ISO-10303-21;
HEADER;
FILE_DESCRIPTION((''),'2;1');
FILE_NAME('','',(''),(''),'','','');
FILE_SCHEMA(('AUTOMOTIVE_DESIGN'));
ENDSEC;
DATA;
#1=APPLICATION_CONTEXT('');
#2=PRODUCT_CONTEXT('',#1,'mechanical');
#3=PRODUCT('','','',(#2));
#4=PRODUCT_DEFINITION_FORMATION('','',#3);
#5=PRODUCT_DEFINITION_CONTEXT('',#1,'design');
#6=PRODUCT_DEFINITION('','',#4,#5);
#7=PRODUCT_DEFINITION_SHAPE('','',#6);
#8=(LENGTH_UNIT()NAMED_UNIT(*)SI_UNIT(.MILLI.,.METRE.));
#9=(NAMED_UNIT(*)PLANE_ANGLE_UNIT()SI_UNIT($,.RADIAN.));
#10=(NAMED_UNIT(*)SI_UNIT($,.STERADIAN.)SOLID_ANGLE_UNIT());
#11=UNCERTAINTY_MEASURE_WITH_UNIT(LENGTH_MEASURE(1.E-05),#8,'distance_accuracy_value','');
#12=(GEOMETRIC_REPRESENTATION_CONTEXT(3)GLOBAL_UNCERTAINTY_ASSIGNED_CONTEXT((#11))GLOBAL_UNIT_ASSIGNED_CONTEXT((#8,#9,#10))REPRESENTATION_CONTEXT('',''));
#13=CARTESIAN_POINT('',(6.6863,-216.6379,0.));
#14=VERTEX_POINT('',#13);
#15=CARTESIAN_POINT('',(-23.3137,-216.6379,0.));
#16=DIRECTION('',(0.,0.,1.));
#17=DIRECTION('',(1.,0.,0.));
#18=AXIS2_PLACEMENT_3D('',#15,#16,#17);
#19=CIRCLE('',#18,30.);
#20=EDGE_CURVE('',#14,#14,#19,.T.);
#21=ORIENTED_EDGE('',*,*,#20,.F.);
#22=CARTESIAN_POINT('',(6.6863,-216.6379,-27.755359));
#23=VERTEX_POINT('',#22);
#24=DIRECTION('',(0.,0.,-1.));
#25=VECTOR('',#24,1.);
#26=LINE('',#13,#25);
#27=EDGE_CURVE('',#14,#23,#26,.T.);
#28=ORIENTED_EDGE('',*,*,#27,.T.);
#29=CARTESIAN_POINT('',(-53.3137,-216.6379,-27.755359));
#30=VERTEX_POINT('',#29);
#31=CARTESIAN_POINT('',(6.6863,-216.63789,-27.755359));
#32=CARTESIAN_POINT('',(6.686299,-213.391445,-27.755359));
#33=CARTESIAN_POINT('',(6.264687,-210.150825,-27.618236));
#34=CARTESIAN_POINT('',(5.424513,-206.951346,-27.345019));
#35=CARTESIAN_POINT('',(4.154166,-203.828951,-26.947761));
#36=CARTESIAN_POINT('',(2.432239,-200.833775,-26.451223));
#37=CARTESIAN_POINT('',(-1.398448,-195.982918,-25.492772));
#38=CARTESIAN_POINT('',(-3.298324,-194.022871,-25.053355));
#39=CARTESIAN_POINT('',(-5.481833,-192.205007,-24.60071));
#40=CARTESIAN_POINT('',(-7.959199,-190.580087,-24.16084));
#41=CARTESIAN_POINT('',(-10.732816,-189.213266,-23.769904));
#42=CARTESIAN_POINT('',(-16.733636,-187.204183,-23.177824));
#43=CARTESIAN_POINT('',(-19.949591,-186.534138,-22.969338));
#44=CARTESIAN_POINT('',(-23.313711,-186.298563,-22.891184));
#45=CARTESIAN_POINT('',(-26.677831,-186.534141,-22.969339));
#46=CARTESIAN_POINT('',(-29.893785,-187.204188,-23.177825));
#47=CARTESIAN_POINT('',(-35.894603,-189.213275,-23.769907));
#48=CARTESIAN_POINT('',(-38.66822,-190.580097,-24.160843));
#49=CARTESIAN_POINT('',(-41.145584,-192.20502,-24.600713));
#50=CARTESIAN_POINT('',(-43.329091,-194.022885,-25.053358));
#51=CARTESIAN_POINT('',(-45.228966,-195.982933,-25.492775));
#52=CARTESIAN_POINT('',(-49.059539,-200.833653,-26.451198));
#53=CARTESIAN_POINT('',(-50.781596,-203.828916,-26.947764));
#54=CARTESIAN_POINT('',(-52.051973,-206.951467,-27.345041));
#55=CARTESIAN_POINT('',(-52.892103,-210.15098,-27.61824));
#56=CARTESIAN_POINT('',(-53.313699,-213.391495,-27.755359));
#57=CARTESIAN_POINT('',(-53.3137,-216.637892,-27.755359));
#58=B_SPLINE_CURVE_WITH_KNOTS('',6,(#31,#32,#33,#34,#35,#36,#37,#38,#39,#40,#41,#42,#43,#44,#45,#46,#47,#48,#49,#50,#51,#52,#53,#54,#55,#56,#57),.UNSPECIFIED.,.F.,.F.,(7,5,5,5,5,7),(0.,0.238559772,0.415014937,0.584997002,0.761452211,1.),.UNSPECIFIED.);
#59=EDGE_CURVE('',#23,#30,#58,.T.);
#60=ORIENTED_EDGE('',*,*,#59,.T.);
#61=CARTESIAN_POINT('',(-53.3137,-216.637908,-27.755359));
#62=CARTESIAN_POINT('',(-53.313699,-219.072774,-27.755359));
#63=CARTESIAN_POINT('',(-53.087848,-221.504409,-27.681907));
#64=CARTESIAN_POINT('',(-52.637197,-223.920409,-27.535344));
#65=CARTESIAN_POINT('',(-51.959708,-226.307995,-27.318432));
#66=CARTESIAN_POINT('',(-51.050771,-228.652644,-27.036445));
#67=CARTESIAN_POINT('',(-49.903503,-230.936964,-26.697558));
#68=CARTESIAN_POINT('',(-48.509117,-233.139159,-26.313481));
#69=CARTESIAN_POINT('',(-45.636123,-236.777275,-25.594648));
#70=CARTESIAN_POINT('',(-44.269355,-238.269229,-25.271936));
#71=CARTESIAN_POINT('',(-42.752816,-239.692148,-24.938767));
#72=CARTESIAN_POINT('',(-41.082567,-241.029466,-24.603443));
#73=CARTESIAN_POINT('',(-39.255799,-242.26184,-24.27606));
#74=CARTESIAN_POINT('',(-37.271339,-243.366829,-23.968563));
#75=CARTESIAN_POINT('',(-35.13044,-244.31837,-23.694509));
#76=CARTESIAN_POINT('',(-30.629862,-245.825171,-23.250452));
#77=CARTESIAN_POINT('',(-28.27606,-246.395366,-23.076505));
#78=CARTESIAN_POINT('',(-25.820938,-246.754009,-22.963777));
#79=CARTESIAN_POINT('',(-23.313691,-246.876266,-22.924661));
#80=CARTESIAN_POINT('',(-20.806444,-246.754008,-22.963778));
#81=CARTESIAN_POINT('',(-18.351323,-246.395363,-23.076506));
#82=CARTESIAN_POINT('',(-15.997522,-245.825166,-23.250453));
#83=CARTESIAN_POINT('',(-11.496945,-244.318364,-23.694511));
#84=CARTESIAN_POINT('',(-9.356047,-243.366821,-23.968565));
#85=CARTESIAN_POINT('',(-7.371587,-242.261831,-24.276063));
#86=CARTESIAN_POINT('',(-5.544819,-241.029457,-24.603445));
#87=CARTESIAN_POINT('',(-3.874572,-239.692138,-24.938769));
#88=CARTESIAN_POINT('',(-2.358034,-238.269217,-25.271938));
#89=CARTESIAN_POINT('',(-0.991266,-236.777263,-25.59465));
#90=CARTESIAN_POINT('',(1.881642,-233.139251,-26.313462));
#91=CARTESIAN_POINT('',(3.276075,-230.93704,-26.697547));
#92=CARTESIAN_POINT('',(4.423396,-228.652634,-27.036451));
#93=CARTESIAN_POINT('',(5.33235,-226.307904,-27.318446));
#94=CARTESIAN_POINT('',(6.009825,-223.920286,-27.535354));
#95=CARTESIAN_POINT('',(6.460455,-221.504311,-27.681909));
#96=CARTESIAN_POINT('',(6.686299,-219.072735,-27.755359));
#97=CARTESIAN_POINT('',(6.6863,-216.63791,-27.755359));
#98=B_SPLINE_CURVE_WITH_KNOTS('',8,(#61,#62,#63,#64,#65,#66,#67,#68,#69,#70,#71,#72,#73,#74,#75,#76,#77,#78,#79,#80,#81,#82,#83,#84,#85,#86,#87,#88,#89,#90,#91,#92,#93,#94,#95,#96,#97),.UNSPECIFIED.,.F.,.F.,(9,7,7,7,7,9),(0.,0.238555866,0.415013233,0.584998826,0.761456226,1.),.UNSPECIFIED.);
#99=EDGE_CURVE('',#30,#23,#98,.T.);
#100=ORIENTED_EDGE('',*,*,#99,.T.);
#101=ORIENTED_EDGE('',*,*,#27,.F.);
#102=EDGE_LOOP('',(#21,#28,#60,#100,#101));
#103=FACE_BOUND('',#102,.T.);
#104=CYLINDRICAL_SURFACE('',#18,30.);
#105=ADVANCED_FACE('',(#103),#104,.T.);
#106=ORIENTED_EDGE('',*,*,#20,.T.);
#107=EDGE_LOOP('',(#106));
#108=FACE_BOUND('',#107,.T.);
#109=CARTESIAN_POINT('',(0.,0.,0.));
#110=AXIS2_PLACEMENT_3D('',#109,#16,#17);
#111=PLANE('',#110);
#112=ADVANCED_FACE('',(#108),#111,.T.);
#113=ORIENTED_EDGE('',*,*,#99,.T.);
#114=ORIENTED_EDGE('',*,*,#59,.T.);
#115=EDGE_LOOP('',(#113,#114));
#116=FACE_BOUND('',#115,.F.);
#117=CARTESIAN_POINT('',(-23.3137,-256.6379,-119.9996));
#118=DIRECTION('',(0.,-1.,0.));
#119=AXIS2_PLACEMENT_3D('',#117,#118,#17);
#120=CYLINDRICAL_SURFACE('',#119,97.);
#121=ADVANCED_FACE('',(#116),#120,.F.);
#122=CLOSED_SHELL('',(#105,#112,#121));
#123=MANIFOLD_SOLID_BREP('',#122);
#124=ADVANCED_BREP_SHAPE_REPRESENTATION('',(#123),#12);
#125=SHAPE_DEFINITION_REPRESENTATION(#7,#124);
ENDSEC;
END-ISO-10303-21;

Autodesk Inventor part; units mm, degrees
ref_plane "YZ Plane" through (0, 0, 0) normal (1, 0, 0) x (0, 1, 0)
ref_plane "XZ Plane" through (0, 0, 0) normal (0, 1, 0) x (-1, 0, 0)
ref_plane "XY Plane" through (0, 0, 0) normal (0, 0, 1) x (1, 0, 0)
ref_plane "Work Plane1" through (0, 0, 0) normal (0, 0, 1) x (1, 0, 0)
sketch "Sketch1" plane through (0, 0, 0) normal (0, 0, 1) x (1, 0, 0)
  circle A0 centre (-23.3137, -216.6379) radius 30
  line L0 (-120.3137, -36.6379) -> (73.6863, -36.6379) projected
  line L1 (65.6863, -36.6379) -> (-112.3137, -36.6379) projected
  line L2 (-34.5156, -26.6379) -> (-173.1117, -26.6379) projected
  point P0 (0, 0)
  point P1 (-23.3137, -36.6379)
  dimension "d0" = 60
  dimension "d1" = 190
extrude "Extrusion1" add sketch "Sketch1" against normal blind 84.25
ref_plane "Work Plane2" through (-23.3137, -256.6379, -119.9996) normal (0, -1, 0) x (1, 0, 0)
sketch "Sketch2" plane through (-23.3137, -256.6379, -119.9996) normal (0, -1, 0) x (1, 0, 0)
  circle A0 centre (0, 0) radius 97 projected
  line L0 (-30, 35.7496) -> (30, 35.7496) projected
  line L1 (30, 119.9996) -> (-30, 119.9996) projected
  line L2 (-30, 119.9996) -> (-30, 35.7496) projected
  line L3 (30, 119.9996) -> (30, 35.7496) projected
  point P0 (23.3137, 119.9996)
  point P1 (30, 92.2442)
  point P2 (-30, 92.2442)
extrude "Extrusion2" cut sketch "Sketch2" against normal through all contours L3 L0 L2 A0 picked at (2.032, 56.1025)
properties material "Steel, Mild"
